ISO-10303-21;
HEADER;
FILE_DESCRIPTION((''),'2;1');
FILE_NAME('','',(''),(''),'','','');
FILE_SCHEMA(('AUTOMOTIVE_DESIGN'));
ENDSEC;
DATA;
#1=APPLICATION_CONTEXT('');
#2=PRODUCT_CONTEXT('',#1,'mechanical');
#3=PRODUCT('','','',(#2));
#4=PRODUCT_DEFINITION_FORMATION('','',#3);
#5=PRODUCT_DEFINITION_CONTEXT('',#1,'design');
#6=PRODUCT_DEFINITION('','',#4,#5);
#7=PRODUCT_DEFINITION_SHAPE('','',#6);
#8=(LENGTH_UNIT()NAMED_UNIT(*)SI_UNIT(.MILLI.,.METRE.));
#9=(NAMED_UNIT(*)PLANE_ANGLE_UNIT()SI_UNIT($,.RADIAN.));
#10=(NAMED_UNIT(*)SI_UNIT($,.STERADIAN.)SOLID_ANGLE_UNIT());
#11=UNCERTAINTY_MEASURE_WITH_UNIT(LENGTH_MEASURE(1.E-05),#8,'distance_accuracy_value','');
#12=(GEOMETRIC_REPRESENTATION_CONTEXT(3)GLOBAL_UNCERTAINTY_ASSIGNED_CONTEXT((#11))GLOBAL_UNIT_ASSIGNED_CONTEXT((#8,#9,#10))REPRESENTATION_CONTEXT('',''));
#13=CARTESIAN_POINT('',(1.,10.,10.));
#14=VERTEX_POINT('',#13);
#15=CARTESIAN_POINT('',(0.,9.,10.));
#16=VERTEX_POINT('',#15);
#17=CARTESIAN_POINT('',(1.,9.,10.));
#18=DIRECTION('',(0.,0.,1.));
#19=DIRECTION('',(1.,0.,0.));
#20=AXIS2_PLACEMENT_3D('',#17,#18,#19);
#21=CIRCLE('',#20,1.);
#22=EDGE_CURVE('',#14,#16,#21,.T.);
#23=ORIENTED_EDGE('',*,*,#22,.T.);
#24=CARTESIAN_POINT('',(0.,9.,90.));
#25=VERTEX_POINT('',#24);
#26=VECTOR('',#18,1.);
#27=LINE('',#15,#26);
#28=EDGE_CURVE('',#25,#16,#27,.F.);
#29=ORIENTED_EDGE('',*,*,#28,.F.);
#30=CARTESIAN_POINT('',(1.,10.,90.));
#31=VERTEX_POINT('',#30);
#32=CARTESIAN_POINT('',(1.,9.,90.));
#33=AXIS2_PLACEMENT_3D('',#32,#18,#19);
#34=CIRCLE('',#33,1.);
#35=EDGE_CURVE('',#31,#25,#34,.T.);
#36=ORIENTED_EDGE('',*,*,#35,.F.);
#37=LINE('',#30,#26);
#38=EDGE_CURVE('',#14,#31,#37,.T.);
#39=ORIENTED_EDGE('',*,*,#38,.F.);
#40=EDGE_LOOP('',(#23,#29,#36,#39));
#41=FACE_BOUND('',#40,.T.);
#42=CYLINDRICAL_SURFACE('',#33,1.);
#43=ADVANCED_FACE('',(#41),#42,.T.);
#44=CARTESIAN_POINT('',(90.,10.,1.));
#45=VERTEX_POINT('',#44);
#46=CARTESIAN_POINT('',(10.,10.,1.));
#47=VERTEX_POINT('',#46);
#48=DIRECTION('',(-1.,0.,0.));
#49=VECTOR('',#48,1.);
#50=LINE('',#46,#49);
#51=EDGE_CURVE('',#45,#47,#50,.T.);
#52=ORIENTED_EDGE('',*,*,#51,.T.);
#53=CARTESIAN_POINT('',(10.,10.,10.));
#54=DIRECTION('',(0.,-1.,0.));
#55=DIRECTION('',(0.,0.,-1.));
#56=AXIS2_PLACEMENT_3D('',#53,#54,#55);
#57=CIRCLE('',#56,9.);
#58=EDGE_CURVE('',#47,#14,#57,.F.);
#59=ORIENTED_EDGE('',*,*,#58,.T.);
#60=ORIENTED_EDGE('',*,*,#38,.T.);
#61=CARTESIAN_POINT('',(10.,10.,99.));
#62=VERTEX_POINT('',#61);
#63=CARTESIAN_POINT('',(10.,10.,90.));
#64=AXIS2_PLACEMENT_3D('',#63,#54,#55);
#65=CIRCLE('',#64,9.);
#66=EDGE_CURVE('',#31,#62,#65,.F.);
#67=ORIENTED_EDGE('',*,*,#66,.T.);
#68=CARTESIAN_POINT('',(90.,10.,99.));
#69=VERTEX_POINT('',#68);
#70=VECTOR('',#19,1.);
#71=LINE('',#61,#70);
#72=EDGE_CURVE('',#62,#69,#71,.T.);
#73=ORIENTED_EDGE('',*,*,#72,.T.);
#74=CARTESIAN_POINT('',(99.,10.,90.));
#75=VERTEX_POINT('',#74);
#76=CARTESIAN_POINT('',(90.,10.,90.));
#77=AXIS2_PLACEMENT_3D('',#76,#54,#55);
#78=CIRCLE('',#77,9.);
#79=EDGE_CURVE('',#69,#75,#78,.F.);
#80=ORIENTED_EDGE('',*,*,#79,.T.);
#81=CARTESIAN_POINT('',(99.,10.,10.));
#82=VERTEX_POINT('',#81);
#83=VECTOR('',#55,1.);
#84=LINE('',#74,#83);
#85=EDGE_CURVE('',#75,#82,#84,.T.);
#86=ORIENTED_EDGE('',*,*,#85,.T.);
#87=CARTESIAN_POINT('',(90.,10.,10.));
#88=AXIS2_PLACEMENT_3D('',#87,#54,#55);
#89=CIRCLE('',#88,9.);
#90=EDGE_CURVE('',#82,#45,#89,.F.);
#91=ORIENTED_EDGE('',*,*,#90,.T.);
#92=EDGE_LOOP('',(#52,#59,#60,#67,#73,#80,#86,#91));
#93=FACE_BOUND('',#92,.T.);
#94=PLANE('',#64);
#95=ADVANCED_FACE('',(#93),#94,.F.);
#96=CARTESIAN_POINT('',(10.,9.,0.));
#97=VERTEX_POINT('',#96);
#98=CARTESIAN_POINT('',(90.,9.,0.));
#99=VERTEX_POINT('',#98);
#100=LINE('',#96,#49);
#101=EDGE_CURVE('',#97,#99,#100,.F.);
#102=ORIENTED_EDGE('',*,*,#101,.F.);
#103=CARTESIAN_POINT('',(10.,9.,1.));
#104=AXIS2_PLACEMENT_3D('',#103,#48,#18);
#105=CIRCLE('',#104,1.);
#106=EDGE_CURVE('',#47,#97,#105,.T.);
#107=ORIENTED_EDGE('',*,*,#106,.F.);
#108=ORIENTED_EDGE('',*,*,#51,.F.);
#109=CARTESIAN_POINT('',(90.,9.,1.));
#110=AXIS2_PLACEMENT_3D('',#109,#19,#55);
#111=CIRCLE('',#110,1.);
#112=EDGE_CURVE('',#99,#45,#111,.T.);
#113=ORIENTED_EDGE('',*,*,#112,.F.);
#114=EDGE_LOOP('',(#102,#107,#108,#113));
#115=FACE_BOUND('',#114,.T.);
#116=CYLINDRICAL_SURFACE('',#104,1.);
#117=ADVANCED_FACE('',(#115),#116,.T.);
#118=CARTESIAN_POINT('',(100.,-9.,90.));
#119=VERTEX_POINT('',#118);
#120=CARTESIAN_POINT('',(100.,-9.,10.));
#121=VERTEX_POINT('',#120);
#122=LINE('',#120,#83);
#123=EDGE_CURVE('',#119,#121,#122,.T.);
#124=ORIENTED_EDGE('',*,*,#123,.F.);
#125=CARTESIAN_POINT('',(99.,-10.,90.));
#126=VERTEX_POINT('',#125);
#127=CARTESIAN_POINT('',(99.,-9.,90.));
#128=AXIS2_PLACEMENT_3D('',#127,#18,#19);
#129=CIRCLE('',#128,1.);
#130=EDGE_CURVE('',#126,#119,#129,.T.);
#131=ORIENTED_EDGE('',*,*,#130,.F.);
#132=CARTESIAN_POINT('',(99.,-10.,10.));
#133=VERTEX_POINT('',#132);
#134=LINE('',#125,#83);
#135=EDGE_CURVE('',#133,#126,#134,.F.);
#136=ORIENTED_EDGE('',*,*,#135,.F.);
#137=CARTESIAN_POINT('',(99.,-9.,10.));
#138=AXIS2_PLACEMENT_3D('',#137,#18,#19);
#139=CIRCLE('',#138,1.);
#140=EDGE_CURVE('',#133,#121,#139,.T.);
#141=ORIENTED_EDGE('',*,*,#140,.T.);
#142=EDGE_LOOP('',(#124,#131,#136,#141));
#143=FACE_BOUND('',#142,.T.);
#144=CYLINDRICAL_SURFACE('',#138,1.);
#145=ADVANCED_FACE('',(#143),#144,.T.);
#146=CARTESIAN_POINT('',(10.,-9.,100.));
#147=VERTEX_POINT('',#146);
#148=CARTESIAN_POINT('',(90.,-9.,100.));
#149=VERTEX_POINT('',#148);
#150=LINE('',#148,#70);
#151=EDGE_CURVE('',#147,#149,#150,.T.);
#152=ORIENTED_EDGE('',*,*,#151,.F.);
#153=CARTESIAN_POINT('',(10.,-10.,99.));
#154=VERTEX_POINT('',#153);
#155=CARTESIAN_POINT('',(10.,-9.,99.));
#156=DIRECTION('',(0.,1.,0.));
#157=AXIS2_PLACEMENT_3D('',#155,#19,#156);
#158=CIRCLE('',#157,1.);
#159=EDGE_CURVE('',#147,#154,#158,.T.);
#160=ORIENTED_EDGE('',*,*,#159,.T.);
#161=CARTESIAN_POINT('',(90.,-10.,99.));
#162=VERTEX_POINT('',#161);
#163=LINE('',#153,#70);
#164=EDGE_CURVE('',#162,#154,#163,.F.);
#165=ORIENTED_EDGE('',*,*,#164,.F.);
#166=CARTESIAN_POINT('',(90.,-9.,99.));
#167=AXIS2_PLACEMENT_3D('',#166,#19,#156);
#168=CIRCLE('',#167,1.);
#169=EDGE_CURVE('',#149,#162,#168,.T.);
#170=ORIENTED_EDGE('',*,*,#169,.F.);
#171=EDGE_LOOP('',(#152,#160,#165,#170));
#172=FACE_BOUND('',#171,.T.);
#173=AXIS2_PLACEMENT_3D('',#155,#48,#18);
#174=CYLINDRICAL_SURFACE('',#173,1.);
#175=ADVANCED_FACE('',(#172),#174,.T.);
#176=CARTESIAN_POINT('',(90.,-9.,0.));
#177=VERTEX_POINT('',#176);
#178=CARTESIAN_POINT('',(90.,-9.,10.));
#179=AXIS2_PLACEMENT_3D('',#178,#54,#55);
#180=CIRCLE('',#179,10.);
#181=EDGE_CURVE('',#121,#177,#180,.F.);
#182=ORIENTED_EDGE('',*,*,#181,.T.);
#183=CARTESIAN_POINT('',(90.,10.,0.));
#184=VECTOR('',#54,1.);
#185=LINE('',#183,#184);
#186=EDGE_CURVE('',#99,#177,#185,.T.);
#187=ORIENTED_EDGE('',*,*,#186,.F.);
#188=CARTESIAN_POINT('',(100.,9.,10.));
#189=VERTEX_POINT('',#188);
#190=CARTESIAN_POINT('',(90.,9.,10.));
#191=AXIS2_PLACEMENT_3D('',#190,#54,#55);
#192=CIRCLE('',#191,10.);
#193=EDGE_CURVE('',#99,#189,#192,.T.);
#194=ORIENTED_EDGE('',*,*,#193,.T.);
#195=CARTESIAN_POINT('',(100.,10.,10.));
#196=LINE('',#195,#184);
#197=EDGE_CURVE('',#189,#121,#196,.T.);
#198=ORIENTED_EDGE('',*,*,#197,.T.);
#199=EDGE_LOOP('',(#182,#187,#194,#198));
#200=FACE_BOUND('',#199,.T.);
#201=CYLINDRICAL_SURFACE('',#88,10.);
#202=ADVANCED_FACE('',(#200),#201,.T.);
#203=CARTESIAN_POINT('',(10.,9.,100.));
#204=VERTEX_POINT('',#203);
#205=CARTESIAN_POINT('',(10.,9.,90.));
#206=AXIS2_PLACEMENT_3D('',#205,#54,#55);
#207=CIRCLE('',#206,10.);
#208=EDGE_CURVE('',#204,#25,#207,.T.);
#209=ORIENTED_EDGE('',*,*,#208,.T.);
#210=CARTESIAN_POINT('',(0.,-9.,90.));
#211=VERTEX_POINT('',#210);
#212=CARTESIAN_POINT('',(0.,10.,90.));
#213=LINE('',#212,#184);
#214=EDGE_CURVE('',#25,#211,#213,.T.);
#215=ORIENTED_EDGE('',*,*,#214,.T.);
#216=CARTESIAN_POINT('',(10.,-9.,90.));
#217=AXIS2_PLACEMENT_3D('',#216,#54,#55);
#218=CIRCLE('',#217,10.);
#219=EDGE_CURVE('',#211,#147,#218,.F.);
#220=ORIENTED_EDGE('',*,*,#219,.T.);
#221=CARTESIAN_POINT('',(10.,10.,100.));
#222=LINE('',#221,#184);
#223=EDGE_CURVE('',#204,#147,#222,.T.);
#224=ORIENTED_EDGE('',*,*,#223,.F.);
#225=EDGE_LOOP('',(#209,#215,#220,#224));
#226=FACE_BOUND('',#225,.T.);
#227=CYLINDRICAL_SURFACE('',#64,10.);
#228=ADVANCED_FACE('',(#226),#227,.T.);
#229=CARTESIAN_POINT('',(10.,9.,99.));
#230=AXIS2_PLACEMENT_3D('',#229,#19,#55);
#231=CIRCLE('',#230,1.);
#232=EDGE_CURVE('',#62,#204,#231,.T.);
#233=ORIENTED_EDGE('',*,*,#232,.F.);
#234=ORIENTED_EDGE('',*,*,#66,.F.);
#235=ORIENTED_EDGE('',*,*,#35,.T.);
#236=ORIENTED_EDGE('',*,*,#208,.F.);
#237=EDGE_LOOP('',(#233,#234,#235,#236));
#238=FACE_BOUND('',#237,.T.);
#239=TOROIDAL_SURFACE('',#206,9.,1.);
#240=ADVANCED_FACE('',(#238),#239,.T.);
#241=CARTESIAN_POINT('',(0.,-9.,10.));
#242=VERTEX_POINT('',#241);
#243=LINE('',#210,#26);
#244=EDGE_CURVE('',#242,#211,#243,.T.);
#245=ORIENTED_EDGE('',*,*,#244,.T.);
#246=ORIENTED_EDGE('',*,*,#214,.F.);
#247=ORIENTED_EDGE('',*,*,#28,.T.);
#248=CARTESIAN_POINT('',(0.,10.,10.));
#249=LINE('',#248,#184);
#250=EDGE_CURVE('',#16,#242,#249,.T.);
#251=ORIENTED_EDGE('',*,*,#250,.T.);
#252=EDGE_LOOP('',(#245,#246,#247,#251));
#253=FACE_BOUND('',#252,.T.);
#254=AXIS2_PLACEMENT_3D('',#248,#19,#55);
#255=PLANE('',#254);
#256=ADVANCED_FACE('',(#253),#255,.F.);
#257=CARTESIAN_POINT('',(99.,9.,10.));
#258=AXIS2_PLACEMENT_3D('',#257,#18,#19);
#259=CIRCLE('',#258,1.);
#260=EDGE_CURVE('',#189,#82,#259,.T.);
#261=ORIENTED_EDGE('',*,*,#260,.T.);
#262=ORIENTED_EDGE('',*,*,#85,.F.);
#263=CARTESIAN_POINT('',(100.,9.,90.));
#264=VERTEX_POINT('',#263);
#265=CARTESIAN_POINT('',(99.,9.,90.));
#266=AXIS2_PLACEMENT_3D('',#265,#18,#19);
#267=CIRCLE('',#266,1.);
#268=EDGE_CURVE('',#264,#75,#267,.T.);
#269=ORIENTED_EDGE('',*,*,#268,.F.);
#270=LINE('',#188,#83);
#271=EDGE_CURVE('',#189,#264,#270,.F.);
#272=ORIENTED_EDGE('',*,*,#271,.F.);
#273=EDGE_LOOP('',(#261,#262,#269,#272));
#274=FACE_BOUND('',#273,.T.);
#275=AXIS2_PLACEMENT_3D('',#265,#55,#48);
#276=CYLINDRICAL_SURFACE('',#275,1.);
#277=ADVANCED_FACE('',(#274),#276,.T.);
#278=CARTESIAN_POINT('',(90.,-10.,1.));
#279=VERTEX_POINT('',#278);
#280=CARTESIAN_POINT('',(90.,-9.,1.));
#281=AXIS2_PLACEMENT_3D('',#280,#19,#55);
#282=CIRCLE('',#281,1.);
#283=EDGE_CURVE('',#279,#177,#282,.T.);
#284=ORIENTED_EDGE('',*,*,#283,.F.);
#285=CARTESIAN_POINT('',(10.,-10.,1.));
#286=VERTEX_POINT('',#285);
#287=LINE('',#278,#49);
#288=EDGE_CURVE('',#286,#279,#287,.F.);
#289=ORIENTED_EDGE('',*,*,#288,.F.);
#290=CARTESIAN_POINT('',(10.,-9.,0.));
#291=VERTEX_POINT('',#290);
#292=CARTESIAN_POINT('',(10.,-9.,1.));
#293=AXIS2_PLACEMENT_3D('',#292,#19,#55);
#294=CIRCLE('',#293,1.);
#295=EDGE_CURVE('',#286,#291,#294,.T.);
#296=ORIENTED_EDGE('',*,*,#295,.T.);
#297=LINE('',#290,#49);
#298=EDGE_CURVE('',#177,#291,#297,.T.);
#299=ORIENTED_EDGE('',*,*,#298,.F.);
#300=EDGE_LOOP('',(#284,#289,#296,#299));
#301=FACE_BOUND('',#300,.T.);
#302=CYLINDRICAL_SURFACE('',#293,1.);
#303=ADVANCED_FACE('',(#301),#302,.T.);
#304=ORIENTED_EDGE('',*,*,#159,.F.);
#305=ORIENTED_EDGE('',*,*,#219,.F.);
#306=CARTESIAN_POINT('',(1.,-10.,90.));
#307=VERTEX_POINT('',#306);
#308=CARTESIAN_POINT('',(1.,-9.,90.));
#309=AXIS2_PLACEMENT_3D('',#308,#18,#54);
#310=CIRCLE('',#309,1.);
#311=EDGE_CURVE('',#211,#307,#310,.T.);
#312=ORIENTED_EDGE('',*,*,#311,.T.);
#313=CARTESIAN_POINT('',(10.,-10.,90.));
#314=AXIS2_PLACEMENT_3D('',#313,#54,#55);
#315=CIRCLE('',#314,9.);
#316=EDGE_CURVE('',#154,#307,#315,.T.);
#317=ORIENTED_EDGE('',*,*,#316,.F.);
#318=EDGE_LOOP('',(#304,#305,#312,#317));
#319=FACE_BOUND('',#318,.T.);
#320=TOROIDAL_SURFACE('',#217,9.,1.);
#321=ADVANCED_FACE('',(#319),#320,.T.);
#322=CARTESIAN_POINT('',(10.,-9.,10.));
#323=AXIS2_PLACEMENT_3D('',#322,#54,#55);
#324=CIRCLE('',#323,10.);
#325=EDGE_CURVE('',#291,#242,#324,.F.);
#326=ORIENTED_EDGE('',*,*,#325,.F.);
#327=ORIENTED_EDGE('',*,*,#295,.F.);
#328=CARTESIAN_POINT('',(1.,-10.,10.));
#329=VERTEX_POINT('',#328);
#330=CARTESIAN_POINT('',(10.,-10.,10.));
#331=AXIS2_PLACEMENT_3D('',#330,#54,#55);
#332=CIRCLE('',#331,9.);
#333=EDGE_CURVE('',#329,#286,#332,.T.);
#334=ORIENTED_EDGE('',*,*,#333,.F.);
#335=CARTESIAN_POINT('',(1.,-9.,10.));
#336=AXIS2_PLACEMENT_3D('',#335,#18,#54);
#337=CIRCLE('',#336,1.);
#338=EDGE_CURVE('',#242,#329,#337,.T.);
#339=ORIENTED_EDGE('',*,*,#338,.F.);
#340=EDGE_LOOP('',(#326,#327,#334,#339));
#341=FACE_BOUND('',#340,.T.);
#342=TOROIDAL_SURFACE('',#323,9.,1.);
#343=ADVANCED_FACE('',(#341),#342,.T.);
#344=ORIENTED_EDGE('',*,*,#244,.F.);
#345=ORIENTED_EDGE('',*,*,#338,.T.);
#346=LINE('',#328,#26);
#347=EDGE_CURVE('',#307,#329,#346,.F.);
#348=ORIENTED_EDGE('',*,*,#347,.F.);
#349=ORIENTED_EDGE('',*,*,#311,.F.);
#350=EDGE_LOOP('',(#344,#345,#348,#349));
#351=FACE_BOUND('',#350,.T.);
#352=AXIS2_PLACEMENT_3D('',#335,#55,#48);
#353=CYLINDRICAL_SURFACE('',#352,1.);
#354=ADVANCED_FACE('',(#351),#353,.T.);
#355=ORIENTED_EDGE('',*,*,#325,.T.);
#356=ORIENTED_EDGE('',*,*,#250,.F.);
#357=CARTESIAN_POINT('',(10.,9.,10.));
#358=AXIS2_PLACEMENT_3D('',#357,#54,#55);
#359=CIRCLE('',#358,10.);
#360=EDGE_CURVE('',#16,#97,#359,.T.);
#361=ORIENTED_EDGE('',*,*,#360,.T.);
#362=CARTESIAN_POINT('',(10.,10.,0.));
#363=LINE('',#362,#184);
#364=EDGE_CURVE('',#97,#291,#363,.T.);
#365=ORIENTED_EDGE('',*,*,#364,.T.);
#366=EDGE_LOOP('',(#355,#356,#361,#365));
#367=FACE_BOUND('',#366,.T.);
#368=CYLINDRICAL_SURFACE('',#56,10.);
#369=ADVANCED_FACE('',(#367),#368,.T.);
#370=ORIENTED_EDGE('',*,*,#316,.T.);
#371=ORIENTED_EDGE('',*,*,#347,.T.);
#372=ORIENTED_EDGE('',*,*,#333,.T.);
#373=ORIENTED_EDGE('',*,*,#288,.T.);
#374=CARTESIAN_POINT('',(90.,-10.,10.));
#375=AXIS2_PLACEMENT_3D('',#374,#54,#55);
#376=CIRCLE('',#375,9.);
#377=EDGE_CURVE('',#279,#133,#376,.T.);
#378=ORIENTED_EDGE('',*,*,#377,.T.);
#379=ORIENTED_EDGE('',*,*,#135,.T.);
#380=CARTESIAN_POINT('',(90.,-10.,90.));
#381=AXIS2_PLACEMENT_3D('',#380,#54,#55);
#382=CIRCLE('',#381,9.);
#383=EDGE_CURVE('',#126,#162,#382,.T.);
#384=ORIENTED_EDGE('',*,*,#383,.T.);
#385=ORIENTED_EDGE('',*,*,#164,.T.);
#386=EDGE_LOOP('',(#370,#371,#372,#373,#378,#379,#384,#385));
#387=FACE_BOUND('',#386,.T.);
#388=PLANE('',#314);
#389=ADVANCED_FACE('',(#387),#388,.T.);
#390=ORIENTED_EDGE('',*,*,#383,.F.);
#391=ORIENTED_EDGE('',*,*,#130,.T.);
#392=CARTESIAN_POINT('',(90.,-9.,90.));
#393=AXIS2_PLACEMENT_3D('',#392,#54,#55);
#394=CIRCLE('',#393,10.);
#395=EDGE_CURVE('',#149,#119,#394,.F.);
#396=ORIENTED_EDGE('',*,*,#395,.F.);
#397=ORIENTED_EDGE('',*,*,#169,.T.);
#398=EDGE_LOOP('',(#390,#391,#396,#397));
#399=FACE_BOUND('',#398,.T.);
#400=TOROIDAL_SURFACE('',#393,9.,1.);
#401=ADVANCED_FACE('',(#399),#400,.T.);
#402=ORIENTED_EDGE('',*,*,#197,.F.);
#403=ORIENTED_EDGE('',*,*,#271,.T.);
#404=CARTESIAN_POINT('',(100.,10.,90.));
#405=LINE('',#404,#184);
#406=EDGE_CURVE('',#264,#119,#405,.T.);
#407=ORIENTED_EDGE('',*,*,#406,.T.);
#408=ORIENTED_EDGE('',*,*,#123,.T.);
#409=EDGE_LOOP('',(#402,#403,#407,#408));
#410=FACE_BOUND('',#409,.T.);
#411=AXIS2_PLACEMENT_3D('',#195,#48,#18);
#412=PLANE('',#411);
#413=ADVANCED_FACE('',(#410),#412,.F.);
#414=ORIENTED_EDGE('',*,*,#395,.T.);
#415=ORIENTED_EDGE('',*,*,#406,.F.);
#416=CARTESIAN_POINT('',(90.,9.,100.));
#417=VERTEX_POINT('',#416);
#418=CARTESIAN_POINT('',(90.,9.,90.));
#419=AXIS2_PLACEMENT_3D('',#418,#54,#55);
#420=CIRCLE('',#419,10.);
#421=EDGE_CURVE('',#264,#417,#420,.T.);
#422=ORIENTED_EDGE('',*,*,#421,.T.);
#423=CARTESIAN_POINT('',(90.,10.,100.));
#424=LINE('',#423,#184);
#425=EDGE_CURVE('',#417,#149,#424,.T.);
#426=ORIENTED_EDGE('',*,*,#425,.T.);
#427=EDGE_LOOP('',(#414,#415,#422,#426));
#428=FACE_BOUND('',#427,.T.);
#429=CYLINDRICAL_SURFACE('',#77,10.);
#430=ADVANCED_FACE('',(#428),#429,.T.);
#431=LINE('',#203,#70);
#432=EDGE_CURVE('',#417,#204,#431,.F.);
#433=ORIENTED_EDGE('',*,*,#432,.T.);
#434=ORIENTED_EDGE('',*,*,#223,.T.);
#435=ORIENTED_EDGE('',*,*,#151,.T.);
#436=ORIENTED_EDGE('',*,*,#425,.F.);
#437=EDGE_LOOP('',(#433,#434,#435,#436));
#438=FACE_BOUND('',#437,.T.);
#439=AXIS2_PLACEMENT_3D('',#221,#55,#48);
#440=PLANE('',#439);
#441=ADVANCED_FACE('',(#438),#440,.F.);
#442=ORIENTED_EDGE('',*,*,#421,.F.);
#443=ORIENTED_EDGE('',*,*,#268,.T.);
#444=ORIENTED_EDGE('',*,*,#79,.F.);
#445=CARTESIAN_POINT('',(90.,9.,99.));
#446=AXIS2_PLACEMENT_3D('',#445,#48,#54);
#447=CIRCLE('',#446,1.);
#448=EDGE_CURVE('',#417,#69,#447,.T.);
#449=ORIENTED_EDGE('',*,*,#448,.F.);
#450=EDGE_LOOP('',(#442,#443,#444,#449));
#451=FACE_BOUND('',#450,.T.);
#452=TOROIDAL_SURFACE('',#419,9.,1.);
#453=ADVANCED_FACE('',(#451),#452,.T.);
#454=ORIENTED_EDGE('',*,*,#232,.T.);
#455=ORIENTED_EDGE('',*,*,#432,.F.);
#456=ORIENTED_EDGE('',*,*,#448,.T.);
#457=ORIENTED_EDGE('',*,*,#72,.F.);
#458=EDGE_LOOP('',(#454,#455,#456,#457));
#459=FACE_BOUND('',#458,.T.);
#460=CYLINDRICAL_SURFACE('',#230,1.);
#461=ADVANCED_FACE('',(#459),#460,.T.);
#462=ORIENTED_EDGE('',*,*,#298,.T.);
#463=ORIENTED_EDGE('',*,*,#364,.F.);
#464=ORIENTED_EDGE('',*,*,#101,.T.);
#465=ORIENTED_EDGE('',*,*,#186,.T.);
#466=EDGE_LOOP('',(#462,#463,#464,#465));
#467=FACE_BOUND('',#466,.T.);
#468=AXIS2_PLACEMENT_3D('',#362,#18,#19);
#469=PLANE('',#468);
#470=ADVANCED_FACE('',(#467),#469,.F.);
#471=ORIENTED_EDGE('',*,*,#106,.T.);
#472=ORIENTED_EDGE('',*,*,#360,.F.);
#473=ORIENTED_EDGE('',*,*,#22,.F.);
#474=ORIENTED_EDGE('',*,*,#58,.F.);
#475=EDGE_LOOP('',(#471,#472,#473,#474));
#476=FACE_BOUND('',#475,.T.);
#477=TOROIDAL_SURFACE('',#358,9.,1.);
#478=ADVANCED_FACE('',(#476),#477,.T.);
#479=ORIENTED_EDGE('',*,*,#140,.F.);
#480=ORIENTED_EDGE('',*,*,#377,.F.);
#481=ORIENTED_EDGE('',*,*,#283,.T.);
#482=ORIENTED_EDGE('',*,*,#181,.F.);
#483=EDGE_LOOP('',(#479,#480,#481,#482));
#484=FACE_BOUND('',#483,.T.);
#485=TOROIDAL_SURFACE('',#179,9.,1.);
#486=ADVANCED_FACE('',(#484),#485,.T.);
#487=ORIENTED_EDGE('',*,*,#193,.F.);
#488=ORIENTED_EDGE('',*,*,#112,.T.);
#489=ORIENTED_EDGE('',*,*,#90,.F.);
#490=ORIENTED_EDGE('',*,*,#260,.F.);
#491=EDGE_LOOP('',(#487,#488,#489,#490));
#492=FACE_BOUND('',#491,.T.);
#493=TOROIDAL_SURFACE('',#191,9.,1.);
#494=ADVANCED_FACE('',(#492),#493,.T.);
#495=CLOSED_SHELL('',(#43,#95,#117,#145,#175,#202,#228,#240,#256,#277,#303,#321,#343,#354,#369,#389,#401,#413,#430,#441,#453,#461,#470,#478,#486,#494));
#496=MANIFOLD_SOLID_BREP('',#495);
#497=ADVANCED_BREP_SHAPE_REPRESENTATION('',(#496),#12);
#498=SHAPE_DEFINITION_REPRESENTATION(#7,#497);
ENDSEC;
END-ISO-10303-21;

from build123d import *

# Parameters (mm, degrees)
BOSS_EXTRUDE1_DEPTH = 10
FILLET1_R           = 1
FILLET2_R           = 1


with BuildPart() as part:
    # Sketch1 → Boss-Extrude1 (new, symmetric)
    with BuildSketch(Plane(origin=(0, 0, 0), x_dir=(1, 0, 0), z_dir=(0, 1, 0))):
        with BuildLine():
            Line((10, 0), (90, 0))
            ThreePointArc((90, 0), (97.071067812, -2.928932188), (100, -10))
            Line((100, -10), (100, -90))
            ThreePointArc((100, -90), (97.071067812, -97.071067812), (90, -100))
            Line((90, -100), (10, -100))
            ThreePointArc((10, -100), (2.928932188, -97.071067812), (0, -90))
            Line((0, -90), (0, -10))
            ThreePointArc((0, -10), (2.928932188, -2.928932188), (10, 0))
        make_face()
    extrude(amount=BOSS_EXTRUDE1_DEPTH, both=True)

    # Fillet1
    fillet1_edges = [part.edges().sort_by_distance(p)[0] for p in [
        (100, -10, 50),
        (97.071067812, -10, 97.071067812),
        (50, -10, 100),
        (2.928932188, -10, 97.071067812),
        (0, -10, 50),
        (2.928932188, -10, 2.928932188),
        (50, -10, 0),
        (97.071067812, -10, 2.928932188),
    ]]
    fillet(fillet1_edges, radius=FILLET1_R)

    # Fillet2
    fillet2_edges = [part.edges().sort_by_distance(p)[0] for p in [
        (97.071067812, 10, 97.071067812),
        (100, 10, 50),
        (97.071067812, 10, 2.928932188),
        (50, 10, 0),
        (2.928932188, 10, 2.928932188),
        (0, 10, 50),
        (2.928932188, 10, 97.071067812),
        (50, 10, 100),
    ]]
    fillet(fillet2_edges, radius=FILLET2_R)


solid = part.part
